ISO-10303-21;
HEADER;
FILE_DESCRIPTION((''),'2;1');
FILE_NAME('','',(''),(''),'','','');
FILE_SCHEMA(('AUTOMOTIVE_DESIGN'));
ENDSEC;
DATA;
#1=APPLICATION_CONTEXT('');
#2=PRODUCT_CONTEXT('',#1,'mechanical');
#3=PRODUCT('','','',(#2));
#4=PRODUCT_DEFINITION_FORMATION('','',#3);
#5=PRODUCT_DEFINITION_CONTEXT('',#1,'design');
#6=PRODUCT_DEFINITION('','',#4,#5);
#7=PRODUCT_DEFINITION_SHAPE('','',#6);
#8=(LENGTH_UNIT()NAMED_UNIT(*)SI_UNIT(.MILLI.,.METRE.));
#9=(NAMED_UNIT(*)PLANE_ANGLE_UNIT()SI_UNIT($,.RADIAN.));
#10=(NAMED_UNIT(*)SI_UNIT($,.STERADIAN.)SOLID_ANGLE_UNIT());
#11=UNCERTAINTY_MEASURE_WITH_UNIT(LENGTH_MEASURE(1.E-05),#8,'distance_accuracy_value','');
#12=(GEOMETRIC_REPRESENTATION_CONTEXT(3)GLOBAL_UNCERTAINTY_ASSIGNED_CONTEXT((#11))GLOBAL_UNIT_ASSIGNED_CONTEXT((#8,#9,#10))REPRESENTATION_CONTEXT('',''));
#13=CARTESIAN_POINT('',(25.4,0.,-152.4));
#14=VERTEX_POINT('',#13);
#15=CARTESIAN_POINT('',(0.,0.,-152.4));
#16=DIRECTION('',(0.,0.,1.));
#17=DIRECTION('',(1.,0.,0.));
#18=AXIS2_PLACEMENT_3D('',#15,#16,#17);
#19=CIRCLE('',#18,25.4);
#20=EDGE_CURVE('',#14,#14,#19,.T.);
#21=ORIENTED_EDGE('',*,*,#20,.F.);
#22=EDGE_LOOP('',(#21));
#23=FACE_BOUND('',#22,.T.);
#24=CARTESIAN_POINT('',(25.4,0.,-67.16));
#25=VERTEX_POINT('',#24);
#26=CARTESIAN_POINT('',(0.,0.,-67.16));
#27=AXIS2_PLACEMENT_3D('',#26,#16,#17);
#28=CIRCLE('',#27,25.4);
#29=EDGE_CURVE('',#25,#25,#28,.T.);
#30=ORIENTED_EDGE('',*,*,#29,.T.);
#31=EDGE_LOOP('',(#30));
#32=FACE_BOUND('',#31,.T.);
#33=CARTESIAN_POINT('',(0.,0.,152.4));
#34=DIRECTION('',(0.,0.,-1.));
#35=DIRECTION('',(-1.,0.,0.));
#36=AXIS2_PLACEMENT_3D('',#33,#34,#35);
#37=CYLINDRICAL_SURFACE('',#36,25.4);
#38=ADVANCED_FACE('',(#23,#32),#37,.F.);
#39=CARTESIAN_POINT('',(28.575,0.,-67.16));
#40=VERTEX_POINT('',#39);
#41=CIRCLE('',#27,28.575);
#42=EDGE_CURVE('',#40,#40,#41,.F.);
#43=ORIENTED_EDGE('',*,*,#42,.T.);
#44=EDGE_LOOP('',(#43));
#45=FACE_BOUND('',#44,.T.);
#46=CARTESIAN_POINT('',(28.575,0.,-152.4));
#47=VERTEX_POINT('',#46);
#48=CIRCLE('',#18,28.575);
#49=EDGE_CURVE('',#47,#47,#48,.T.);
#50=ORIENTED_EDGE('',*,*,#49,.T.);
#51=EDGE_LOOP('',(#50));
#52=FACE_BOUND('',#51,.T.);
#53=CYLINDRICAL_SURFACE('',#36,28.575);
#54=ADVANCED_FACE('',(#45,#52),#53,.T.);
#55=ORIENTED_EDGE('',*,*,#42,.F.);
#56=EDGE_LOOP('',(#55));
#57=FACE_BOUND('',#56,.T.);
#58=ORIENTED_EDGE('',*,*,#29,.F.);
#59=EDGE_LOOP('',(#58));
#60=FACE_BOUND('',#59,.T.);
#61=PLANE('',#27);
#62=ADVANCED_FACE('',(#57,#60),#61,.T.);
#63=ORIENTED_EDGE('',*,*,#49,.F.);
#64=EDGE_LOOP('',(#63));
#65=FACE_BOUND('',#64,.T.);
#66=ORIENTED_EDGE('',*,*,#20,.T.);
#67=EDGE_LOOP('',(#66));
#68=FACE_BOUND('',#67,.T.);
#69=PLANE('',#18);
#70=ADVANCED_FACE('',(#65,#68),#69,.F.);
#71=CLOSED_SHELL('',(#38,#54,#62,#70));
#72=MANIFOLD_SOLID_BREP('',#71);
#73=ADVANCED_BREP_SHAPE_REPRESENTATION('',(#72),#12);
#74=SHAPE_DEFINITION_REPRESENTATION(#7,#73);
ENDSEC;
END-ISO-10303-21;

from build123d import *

# Parameters (mm, degrees)
BOSS_EXTRUDE1_DEPTH      = 152.4
BOSS_EXTRUDE1_DEPTH_BACK = 152.4
SKETCH3_R                = 28.575
SKETCH3_R_2              = 25.4
SKETCH4_R                = 28.575
CUT_EXTRUDE1_DEPTH       = 219.56


with BuildPart() as part:
    # Sketch3 → Boss-Extrude1 (new, two sides: drawn at the far end of the back side and taken through both)
    with BuildSketch(Plane.XY.offset(-BOSS_EXTRUDE1_DEPTH_BACK)):
        Circle(SKETCH3_R)
        Circle(SKETCH3_R_2, mode=Mode.SUBTRACT)
    extrude(amount=BOSS_EXTRUDE1_DEPTH + BOSS_EXTRUDE1_DEPTH_BACK)

    # Sketch4 → Cut-Extrude1 (cut)
    with BuildSketch(Plane.XY.offset(152.4)):
        Circle(SKETCH4_R)
    extrude(amount=-CUT_EXTRUDE1_DEPTH, mode=Mode.SUBTRACT)


solid = part.part
